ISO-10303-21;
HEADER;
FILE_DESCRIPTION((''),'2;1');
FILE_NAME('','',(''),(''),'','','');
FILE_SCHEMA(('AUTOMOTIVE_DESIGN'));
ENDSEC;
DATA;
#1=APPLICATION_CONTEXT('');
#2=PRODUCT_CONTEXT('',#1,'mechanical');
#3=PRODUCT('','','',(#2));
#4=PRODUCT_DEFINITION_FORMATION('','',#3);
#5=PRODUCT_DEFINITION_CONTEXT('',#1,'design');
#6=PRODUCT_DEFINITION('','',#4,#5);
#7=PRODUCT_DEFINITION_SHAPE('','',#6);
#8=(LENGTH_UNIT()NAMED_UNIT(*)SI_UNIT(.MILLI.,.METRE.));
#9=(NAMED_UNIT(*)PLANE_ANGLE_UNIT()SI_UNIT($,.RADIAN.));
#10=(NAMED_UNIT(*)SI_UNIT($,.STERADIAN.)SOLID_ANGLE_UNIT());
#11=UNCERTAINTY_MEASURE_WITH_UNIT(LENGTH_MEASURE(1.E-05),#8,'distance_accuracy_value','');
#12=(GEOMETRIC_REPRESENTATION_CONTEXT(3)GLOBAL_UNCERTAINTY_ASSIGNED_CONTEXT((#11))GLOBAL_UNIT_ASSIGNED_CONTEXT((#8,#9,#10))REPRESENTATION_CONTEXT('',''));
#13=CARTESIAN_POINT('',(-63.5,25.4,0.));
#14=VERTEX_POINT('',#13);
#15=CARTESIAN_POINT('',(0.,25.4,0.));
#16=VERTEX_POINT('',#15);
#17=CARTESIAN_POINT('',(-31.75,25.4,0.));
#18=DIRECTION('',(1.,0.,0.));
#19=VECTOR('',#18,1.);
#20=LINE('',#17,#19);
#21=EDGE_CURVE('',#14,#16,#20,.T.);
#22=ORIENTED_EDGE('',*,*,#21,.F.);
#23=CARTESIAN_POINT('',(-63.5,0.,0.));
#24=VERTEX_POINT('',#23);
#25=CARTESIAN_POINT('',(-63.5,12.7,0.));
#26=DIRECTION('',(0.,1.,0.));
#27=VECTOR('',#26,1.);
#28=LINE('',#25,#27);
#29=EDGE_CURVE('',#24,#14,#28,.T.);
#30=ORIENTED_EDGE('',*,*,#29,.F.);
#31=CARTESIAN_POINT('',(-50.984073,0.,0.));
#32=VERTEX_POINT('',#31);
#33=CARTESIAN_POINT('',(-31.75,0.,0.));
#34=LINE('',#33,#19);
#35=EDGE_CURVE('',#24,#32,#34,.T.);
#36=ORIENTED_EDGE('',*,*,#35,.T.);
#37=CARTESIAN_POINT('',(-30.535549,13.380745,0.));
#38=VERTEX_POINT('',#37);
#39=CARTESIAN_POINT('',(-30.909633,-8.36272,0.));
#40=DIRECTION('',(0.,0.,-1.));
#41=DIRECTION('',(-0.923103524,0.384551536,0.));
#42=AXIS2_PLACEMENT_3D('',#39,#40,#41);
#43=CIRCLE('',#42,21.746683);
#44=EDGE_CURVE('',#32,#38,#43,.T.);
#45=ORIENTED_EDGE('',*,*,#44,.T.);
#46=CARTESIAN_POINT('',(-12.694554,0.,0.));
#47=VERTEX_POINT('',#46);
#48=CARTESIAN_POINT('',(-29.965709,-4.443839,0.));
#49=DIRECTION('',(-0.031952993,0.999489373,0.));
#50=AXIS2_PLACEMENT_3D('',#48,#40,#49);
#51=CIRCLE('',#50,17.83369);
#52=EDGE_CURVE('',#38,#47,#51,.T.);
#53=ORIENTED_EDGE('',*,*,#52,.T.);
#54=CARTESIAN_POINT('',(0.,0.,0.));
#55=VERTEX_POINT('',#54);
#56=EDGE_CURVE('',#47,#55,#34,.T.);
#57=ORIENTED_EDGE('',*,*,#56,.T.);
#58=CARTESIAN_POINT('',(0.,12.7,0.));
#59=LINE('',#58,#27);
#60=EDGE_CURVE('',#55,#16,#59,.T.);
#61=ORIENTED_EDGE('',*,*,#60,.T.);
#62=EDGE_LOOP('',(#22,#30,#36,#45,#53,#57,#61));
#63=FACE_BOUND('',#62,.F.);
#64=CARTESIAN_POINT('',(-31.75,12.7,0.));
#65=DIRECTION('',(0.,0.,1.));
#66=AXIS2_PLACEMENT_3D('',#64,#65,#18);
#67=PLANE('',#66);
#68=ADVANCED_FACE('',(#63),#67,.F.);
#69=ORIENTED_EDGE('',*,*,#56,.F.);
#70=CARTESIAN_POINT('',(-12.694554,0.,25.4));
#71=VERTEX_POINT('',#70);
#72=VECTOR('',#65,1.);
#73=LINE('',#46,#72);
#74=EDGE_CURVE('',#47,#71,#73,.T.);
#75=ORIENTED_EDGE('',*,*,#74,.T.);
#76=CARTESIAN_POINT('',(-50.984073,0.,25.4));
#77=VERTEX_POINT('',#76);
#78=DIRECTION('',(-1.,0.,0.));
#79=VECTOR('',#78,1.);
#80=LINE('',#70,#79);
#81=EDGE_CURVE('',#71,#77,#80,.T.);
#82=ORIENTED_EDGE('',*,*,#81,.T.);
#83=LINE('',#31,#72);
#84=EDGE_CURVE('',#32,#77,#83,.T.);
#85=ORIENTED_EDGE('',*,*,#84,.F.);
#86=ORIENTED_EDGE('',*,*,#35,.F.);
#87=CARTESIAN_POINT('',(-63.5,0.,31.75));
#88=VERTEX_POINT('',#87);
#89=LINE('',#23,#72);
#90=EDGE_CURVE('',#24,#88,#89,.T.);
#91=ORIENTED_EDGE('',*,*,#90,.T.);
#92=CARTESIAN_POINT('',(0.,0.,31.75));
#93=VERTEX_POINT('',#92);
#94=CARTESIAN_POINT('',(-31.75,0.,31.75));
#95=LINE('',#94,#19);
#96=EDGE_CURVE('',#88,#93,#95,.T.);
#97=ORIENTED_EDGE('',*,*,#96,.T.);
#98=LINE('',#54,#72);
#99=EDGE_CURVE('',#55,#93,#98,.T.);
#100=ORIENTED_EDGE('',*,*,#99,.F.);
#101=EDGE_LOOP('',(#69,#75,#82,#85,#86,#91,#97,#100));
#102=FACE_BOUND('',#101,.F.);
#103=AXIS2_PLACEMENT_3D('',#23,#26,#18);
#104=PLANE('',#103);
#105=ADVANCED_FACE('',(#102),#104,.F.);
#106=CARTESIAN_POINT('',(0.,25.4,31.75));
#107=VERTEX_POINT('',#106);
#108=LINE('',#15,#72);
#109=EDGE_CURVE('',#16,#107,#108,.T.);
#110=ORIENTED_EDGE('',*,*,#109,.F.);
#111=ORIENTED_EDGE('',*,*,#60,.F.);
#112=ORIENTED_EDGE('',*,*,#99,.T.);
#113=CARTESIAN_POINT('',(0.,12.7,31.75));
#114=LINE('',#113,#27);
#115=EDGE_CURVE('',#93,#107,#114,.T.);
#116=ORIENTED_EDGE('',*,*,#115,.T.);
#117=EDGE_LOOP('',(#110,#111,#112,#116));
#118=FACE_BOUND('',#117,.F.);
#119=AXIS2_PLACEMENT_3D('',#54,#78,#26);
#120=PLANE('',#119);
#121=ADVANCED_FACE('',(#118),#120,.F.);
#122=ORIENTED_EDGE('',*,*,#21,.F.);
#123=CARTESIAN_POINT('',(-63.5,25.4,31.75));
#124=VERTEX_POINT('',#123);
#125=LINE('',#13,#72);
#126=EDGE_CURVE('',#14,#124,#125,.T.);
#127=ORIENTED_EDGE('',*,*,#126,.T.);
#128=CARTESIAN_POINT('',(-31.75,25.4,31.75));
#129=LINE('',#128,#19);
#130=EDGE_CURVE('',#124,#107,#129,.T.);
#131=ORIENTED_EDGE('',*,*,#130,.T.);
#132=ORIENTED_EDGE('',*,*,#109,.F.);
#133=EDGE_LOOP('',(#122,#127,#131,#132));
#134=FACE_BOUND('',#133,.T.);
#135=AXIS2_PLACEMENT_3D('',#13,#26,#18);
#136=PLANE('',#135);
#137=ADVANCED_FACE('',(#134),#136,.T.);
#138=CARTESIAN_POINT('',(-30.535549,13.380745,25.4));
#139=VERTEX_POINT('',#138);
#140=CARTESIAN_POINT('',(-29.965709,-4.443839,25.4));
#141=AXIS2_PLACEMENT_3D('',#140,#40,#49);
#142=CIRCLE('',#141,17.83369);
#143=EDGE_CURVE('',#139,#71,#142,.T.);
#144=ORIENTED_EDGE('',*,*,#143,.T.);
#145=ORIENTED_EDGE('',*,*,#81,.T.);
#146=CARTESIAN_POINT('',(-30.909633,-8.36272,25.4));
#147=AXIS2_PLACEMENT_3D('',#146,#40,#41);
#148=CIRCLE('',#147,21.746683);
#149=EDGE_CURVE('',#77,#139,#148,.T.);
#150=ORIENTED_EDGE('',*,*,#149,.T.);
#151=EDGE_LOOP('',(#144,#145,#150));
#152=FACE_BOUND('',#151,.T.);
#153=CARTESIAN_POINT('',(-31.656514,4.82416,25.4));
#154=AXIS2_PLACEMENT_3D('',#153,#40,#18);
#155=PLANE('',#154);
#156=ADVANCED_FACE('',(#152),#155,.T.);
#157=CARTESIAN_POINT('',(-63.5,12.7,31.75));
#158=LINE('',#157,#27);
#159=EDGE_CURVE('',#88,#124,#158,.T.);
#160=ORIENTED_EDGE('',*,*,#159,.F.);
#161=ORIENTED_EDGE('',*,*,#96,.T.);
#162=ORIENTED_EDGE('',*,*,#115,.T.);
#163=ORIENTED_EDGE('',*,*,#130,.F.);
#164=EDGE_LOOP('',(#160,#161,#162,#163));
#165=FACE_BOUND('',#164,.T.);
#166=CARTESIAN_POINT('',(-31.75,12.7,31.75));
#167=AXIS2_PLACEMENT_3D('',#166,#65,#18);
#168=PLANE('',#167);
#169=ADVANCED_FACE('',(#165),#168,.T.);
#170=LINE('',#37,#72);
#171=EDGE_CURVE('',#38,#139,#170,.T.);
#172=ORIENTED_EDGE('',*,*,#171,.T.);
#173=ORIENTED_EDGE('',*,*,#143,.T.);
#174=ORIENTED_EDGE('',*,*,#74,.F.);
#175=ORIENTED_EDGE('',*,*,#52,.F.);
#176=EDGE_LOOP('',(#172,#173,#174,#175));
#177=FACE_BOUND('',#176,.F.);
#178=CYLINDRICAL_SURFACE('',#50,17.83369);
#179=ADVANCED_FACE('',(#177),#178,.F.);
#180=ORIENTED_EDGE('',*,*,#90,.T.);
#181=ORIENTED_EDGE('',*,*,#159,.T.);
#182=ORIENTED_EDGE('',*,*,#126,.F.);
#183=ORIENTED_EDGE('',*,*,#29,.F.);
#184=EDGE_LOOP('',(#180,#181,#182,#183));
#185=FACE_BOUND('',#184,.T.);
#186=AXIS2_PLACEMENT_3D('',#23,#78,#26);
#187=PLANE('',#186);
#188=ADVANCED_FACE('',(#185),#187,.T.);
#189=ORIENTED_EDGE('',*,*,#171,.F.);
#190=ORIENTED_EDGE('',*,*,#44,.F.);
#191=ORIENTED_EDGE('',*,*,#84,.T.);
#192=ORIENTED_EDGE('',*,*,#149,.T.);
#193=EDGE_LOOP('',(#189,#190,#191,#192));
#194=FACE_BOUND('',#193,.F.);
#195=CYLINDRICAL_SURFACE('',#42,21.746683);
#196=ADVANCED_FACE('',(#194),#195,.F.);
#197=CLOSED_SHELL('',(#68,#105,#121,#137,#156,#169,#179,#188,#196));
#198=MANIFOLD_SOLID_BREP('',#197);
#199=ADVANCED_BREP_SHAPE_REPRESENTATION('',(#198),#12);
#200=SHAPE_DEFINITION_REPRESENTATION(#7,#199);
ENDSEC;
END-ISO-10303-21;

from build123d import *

# Parameters (mm, degrees)
F0_W     = 63.5
F0_H     = 25.4
F1_DEPTH = 31.75
F3_DEPTH = 25.4


with BuildPart() as f1:
    # F0 (on Top) → F1 (new body)
    with BuildSketch(Plane.XY):
        with Locations((-31.75, 12.7)):
            Rectangle(F0_W, F0_H)
    extrude(amount=F1_DEPTH)

    # F2 (on face) → F3 (cut)
    with BuildSketch(Plane(origin=(0, 0, 0), x_dir=(1, 0, 0), z_dir=(0, 0, -1))):
        with BuildLine():
            ThreePointArc((-50.984073, 0), (-42.817071, -9.834289), (-30.535549, -13.380745))
            ThreePointArc((-30.535549, -13.380745), (-19.265496, -9.823114), (-12.694554, 0))
            Line((-12.694554, 0), (-50.984073, 0))
        make_face()
    extrude(amount=-F3_DEPTH, mode=Mode.SUBTRACT)


solid = f1.part
